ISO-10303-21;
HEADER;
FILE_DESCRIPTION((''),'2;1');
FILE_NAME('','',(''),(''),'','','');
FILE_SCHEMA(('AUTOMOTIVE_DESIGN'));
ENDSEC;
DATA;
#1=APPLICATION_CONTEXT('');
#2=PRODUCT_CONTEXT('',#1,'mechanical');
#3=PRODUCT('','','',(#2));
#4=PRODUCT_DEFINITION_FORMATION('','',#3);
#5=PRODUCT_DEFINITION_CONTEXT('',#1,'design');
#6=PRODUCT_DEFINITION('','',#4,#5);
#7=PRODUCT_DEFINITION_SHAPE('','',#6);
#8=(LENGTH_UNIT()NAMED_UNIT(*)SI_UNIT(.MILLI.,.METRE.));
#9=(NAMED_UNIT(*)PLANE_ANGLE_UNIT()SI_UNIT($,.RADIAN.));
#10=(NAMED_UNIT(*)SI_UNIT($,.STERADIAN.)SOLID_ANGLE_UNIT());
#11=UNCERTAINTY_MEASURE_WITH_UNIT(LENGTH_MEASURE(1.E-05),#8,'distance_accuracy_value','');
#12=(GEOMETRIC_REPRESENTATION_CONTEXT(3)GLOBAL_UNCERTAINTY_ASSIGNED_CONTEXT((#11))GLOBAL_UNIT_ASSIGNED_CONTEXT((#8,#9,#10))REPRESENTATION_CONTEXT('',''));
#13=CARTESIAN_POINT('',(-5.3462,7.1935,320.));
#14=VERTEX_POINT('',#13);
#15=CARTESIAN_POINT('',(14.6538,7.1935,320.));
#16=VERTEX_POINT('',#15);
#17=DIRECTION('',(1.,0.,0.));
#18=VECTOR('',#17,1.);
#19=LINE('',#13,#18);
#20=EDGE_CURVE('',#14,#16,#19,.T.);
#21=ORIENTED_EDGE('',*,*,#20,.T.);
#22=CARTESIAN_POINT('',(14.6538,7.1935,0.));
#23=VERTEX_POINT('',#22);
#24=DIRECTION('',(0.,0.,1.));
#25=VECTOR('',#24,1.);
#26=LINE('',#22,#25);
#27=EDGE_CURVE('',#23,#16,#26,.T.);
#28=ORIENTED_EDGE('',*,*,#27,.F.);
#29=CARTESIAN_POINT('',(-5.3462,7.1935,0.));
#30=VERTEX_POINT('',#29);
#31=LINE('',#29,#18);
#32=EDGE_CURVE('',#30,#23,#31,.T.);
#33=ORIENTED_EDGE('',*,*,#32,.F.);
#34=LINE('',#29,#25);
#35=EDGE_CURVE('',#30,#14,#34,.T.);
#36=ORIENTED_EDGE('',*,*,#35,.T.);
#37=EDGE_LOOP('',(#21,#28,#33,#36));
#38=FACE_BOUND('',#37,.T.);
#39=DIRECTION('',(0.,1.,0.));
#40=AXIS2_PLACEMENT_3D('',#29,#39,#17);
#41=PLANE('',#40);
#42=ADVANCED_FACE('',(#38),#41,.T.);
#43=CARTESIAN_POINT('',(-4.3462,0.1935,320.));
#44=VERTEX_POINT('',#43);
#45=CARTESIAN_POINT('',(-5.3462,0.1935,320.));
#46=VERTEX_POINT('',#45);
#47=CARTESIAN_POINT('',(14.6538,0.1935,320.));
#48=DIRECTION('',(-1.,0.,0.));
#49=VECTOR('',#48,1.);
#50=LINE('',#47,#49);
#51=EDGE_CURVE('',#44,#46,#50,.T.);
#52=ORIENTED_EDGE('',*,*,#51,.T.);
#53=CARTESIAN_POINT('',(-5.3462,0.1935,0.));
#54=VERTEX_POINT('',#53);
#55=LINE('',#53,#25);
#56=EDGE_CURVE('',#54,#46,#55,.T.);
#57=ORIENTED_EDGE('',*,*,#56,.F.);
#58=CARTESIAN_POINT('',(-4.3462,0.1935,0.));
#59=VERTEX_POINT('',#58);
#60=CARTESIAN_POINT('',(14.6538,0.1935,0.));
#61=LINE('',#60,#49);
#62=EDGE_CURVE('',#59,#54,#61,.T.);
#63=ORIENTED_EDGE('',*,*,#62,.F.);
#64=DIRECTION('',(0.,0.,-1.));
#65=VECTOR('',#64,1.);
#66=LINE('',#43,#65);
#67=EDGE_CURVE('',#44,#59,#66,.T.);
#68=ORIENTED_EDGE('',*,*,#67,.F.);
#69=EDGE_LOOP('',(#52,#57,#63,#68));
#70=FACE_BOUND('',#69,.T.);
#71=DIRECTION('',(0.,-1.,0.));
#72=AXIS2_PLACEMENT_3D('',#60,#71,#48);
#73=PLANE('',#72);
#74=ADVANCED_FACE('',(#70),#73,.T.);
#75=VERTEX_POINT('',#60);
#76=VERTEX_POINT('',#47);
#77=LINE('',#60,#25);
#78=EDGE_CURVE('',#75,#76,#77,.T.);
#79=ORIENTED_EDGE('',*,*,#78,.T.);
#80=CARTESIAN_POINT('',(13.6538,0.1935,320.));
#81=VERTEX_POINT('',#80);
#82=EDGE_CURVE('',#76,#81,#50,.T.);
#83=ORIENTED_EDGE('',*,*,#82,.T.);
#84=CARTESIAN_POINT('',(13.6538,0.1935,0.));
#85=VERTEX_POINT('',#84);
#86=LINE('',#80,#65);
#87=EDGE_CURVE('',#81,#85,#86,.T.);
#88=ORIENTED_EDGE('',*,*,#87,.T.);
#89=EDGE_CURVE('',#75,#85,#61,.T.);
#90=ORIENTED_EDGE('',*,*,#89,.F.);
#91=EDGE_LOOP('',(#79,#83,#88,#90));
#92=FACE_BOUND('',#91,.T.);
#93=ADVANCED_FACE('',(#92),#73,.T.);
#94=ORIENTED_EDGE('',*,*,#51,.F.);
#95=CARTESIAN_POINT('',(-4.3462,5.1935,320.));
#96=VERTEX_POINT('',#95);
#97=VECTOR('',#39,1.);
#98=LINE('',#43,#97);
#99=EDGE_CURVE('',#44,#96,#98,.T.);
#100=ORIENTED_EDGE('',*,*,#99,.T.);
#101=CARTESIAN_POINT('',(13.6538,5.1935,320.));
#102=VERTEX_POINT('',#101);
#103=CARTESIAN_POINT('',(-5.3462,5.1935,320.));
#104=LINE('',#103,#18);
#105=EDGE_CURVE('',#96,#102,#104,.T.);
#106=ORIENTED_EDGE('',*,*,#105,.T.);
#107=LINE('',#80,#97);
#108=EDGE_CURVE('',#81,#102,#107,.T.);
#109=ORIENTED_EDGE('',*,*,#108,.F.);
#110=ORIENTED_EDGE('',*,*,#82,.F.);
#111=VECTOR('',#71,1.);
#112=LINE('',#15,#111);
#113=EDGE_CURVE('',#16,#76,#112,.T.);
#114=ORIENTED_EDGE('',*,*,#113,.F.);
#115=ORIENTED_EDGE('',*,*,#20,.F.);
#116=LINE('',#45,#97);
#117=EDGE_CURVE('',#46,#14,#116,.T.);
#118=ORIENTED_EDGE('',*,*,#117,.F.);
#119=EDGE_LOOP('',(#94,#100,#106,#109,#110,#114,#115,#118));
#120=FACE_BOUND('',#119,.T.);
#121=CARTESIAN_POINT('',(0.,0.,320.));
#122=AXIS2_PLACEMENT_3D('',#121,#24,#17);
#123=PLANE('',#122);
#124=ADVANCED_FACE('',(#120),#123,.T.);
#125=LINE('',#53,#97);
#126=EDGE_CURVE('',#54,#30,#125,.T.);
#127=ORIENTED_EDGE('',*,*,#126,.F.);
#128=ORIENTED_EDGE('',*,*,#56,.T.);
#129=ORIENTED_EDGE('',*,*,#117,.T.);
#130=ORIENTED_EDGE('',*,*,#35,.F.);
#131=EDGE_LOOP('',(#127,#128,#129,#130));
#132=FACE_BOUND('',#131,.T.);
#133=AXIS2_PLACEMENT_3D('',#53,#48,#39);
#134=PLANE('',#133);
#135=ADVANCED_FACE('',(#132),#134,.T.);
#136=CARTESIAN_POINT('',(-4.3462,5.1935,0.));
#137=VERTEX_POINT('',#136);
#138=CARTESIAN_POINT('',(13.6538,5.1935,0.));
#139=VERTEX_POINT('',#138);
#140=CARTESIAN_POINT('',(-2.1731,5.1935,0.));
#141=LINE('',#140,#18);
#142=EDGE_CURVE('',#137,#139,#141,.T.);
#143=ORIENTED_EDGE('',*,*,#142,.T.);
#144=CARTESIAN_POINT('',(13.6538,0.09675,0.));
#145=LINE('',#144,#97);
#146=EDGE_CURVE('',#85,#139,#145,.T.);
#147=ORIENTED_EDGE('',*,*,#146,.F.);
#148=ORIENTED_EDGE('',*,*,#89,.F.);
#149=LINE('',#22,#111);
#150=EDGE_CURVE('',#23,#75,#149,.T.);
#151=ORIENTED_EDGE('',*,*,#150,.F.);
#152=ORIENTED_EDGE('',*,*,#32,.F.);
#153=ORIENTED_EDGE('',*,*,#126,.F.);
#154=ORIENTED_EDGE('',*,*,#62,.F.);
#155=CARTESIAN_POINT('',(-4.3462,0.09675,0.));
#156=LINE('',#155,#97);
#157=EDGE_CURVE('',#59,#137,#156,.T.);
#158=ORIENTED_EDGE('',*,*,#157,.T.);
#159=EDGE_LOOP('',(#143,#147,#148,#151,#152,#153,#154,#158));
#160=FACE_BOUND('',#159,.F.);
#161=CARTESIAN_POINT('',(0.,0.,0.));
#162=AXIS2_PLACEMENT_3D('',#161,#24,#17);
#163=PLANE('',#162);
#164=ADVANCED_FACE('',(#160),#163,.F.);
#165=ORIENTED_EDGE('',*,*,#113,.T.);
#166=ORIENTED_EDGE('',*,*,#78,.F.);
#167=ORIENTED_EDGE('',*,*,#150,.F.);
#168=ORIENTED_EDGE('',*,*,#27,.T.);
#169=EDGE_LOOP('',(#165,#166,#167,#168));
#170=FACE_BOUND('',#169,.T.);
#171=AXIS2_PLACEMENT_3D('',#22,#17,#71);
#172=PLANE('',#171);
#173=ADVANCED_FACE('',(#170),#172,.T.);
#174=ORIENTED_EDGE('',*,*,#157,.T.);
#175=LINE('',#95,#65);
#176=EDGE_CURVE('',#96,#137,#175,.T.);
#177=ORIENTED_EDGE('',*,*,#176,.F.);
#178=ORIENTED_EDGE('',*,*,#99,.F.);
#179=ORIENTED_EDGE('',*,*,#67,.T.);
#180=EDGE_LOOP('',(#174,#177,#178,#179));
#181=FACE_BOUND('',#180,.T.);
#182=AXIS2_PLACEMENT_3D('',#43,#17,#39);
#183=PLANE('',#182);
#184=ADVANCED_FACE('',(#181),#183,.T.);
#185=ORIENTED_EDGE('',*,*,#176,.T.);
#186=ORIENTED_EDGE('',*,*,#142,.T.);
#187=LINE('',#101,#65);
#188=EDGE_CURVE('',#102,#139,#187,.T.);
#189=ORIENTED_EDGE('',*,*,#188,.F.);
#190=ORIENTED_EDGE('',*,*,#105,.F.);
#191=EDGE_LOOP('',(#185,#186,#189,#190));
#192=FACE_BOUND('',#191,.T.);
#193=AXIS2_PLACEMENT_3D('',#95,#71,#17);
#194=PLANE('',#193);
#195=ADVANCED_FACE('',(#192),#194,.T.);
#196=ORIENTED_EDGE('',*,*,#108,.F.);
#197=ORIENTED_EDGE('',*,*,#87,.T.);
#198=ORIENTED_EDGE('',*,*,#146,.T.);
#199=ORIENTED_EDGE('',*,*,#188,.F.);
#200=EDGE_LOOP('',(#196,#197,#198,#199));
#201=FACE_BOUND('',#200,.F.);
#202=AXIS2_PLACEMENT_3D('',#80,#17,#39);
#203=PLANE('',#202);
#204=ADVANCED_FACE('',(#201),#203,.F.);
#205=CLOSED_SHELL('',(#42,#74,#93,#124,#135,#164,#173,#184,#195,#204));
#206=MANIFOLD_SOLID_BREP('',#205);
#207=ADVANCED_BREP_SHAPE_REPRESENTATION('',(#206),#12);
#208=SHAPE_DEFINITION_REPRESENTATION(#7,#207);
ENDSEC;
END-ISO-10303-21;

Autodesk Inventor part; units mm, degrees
ref_plane "YZ Plane" through (0, 0, 0) normal (1, 0, 0) x (0, 1, 0)
ref_plane "XZ Plane" through (0, 0, 0) normal (0, 1, 0) x (-1, 0, 0)
ref_plane "XY Plane" through (0, 0, 0) normal (0, 0, 1) x (1, 0, 0)
sketch "Sketch1" plane through (0, 0, 0) normal (0, 0, 1) x (1, 0, 0)
  line L0 (-5.3462, 7.1935) -> (14.6538, 7.1935)
  line L1 (14.6538, 7.1935) -> (14.6538, 0.1935)
  line L2 (14.6538, 0.1935) -> (-5.3462, 0.1935)
  line L3 (-5.3462, 0.1935) -> (-5.3462, 7.1935)
  dimension "d0" = 20
  dimension "d1" = 7
extrude "Extrusion1" add sketch "Sketch1" along normal blind 320
sketch "Boceto2" plane through (0, 0, 320) normal (0, 0, 1) x (1, 0, 0)
  line L0 (-5.3462, 7.1935) -> (-5.3462, 0.1935) projected
  line L1 (-5.3462, 7.1935) -> (-5.3462, 5.1935)
  line L2 (-5.3462, 5.1935) -> (14.6538, 5.1935)
  line L3 (14.6538, 0.1935) -> (14.6538, 7.1935) projected
  line L4 (-5.3462, 0.1935) -> (-4.3462, 0.1935)
  line L5 (-5.3462, 0.1935) -> (14.6538, 0.1935) projected
  line L6 (-4.3462, 0.1935) -> (-4.3462, 5.1935)
  line L7 (14.6538, 0.1935) -> (13.6538, 0.1935)
  line L8 (13.6538, 0.1935) -> (13.6538, 5.1935)
  line L9 (-4.3462, 0.1935) -> (13.6538, 0.1935)
  point P0 (0, 0)
  dimension "d4" = 2
  dimension "d5" = 1
  dimension "d6" = 1
extrude "Extrusión2" cut sketch "Boceto2" against normal blind 377.5 contours L2 L8 L5 L6
properties part number "Soporte LED_L=320" material "Stainless Steel, Austenitic"
